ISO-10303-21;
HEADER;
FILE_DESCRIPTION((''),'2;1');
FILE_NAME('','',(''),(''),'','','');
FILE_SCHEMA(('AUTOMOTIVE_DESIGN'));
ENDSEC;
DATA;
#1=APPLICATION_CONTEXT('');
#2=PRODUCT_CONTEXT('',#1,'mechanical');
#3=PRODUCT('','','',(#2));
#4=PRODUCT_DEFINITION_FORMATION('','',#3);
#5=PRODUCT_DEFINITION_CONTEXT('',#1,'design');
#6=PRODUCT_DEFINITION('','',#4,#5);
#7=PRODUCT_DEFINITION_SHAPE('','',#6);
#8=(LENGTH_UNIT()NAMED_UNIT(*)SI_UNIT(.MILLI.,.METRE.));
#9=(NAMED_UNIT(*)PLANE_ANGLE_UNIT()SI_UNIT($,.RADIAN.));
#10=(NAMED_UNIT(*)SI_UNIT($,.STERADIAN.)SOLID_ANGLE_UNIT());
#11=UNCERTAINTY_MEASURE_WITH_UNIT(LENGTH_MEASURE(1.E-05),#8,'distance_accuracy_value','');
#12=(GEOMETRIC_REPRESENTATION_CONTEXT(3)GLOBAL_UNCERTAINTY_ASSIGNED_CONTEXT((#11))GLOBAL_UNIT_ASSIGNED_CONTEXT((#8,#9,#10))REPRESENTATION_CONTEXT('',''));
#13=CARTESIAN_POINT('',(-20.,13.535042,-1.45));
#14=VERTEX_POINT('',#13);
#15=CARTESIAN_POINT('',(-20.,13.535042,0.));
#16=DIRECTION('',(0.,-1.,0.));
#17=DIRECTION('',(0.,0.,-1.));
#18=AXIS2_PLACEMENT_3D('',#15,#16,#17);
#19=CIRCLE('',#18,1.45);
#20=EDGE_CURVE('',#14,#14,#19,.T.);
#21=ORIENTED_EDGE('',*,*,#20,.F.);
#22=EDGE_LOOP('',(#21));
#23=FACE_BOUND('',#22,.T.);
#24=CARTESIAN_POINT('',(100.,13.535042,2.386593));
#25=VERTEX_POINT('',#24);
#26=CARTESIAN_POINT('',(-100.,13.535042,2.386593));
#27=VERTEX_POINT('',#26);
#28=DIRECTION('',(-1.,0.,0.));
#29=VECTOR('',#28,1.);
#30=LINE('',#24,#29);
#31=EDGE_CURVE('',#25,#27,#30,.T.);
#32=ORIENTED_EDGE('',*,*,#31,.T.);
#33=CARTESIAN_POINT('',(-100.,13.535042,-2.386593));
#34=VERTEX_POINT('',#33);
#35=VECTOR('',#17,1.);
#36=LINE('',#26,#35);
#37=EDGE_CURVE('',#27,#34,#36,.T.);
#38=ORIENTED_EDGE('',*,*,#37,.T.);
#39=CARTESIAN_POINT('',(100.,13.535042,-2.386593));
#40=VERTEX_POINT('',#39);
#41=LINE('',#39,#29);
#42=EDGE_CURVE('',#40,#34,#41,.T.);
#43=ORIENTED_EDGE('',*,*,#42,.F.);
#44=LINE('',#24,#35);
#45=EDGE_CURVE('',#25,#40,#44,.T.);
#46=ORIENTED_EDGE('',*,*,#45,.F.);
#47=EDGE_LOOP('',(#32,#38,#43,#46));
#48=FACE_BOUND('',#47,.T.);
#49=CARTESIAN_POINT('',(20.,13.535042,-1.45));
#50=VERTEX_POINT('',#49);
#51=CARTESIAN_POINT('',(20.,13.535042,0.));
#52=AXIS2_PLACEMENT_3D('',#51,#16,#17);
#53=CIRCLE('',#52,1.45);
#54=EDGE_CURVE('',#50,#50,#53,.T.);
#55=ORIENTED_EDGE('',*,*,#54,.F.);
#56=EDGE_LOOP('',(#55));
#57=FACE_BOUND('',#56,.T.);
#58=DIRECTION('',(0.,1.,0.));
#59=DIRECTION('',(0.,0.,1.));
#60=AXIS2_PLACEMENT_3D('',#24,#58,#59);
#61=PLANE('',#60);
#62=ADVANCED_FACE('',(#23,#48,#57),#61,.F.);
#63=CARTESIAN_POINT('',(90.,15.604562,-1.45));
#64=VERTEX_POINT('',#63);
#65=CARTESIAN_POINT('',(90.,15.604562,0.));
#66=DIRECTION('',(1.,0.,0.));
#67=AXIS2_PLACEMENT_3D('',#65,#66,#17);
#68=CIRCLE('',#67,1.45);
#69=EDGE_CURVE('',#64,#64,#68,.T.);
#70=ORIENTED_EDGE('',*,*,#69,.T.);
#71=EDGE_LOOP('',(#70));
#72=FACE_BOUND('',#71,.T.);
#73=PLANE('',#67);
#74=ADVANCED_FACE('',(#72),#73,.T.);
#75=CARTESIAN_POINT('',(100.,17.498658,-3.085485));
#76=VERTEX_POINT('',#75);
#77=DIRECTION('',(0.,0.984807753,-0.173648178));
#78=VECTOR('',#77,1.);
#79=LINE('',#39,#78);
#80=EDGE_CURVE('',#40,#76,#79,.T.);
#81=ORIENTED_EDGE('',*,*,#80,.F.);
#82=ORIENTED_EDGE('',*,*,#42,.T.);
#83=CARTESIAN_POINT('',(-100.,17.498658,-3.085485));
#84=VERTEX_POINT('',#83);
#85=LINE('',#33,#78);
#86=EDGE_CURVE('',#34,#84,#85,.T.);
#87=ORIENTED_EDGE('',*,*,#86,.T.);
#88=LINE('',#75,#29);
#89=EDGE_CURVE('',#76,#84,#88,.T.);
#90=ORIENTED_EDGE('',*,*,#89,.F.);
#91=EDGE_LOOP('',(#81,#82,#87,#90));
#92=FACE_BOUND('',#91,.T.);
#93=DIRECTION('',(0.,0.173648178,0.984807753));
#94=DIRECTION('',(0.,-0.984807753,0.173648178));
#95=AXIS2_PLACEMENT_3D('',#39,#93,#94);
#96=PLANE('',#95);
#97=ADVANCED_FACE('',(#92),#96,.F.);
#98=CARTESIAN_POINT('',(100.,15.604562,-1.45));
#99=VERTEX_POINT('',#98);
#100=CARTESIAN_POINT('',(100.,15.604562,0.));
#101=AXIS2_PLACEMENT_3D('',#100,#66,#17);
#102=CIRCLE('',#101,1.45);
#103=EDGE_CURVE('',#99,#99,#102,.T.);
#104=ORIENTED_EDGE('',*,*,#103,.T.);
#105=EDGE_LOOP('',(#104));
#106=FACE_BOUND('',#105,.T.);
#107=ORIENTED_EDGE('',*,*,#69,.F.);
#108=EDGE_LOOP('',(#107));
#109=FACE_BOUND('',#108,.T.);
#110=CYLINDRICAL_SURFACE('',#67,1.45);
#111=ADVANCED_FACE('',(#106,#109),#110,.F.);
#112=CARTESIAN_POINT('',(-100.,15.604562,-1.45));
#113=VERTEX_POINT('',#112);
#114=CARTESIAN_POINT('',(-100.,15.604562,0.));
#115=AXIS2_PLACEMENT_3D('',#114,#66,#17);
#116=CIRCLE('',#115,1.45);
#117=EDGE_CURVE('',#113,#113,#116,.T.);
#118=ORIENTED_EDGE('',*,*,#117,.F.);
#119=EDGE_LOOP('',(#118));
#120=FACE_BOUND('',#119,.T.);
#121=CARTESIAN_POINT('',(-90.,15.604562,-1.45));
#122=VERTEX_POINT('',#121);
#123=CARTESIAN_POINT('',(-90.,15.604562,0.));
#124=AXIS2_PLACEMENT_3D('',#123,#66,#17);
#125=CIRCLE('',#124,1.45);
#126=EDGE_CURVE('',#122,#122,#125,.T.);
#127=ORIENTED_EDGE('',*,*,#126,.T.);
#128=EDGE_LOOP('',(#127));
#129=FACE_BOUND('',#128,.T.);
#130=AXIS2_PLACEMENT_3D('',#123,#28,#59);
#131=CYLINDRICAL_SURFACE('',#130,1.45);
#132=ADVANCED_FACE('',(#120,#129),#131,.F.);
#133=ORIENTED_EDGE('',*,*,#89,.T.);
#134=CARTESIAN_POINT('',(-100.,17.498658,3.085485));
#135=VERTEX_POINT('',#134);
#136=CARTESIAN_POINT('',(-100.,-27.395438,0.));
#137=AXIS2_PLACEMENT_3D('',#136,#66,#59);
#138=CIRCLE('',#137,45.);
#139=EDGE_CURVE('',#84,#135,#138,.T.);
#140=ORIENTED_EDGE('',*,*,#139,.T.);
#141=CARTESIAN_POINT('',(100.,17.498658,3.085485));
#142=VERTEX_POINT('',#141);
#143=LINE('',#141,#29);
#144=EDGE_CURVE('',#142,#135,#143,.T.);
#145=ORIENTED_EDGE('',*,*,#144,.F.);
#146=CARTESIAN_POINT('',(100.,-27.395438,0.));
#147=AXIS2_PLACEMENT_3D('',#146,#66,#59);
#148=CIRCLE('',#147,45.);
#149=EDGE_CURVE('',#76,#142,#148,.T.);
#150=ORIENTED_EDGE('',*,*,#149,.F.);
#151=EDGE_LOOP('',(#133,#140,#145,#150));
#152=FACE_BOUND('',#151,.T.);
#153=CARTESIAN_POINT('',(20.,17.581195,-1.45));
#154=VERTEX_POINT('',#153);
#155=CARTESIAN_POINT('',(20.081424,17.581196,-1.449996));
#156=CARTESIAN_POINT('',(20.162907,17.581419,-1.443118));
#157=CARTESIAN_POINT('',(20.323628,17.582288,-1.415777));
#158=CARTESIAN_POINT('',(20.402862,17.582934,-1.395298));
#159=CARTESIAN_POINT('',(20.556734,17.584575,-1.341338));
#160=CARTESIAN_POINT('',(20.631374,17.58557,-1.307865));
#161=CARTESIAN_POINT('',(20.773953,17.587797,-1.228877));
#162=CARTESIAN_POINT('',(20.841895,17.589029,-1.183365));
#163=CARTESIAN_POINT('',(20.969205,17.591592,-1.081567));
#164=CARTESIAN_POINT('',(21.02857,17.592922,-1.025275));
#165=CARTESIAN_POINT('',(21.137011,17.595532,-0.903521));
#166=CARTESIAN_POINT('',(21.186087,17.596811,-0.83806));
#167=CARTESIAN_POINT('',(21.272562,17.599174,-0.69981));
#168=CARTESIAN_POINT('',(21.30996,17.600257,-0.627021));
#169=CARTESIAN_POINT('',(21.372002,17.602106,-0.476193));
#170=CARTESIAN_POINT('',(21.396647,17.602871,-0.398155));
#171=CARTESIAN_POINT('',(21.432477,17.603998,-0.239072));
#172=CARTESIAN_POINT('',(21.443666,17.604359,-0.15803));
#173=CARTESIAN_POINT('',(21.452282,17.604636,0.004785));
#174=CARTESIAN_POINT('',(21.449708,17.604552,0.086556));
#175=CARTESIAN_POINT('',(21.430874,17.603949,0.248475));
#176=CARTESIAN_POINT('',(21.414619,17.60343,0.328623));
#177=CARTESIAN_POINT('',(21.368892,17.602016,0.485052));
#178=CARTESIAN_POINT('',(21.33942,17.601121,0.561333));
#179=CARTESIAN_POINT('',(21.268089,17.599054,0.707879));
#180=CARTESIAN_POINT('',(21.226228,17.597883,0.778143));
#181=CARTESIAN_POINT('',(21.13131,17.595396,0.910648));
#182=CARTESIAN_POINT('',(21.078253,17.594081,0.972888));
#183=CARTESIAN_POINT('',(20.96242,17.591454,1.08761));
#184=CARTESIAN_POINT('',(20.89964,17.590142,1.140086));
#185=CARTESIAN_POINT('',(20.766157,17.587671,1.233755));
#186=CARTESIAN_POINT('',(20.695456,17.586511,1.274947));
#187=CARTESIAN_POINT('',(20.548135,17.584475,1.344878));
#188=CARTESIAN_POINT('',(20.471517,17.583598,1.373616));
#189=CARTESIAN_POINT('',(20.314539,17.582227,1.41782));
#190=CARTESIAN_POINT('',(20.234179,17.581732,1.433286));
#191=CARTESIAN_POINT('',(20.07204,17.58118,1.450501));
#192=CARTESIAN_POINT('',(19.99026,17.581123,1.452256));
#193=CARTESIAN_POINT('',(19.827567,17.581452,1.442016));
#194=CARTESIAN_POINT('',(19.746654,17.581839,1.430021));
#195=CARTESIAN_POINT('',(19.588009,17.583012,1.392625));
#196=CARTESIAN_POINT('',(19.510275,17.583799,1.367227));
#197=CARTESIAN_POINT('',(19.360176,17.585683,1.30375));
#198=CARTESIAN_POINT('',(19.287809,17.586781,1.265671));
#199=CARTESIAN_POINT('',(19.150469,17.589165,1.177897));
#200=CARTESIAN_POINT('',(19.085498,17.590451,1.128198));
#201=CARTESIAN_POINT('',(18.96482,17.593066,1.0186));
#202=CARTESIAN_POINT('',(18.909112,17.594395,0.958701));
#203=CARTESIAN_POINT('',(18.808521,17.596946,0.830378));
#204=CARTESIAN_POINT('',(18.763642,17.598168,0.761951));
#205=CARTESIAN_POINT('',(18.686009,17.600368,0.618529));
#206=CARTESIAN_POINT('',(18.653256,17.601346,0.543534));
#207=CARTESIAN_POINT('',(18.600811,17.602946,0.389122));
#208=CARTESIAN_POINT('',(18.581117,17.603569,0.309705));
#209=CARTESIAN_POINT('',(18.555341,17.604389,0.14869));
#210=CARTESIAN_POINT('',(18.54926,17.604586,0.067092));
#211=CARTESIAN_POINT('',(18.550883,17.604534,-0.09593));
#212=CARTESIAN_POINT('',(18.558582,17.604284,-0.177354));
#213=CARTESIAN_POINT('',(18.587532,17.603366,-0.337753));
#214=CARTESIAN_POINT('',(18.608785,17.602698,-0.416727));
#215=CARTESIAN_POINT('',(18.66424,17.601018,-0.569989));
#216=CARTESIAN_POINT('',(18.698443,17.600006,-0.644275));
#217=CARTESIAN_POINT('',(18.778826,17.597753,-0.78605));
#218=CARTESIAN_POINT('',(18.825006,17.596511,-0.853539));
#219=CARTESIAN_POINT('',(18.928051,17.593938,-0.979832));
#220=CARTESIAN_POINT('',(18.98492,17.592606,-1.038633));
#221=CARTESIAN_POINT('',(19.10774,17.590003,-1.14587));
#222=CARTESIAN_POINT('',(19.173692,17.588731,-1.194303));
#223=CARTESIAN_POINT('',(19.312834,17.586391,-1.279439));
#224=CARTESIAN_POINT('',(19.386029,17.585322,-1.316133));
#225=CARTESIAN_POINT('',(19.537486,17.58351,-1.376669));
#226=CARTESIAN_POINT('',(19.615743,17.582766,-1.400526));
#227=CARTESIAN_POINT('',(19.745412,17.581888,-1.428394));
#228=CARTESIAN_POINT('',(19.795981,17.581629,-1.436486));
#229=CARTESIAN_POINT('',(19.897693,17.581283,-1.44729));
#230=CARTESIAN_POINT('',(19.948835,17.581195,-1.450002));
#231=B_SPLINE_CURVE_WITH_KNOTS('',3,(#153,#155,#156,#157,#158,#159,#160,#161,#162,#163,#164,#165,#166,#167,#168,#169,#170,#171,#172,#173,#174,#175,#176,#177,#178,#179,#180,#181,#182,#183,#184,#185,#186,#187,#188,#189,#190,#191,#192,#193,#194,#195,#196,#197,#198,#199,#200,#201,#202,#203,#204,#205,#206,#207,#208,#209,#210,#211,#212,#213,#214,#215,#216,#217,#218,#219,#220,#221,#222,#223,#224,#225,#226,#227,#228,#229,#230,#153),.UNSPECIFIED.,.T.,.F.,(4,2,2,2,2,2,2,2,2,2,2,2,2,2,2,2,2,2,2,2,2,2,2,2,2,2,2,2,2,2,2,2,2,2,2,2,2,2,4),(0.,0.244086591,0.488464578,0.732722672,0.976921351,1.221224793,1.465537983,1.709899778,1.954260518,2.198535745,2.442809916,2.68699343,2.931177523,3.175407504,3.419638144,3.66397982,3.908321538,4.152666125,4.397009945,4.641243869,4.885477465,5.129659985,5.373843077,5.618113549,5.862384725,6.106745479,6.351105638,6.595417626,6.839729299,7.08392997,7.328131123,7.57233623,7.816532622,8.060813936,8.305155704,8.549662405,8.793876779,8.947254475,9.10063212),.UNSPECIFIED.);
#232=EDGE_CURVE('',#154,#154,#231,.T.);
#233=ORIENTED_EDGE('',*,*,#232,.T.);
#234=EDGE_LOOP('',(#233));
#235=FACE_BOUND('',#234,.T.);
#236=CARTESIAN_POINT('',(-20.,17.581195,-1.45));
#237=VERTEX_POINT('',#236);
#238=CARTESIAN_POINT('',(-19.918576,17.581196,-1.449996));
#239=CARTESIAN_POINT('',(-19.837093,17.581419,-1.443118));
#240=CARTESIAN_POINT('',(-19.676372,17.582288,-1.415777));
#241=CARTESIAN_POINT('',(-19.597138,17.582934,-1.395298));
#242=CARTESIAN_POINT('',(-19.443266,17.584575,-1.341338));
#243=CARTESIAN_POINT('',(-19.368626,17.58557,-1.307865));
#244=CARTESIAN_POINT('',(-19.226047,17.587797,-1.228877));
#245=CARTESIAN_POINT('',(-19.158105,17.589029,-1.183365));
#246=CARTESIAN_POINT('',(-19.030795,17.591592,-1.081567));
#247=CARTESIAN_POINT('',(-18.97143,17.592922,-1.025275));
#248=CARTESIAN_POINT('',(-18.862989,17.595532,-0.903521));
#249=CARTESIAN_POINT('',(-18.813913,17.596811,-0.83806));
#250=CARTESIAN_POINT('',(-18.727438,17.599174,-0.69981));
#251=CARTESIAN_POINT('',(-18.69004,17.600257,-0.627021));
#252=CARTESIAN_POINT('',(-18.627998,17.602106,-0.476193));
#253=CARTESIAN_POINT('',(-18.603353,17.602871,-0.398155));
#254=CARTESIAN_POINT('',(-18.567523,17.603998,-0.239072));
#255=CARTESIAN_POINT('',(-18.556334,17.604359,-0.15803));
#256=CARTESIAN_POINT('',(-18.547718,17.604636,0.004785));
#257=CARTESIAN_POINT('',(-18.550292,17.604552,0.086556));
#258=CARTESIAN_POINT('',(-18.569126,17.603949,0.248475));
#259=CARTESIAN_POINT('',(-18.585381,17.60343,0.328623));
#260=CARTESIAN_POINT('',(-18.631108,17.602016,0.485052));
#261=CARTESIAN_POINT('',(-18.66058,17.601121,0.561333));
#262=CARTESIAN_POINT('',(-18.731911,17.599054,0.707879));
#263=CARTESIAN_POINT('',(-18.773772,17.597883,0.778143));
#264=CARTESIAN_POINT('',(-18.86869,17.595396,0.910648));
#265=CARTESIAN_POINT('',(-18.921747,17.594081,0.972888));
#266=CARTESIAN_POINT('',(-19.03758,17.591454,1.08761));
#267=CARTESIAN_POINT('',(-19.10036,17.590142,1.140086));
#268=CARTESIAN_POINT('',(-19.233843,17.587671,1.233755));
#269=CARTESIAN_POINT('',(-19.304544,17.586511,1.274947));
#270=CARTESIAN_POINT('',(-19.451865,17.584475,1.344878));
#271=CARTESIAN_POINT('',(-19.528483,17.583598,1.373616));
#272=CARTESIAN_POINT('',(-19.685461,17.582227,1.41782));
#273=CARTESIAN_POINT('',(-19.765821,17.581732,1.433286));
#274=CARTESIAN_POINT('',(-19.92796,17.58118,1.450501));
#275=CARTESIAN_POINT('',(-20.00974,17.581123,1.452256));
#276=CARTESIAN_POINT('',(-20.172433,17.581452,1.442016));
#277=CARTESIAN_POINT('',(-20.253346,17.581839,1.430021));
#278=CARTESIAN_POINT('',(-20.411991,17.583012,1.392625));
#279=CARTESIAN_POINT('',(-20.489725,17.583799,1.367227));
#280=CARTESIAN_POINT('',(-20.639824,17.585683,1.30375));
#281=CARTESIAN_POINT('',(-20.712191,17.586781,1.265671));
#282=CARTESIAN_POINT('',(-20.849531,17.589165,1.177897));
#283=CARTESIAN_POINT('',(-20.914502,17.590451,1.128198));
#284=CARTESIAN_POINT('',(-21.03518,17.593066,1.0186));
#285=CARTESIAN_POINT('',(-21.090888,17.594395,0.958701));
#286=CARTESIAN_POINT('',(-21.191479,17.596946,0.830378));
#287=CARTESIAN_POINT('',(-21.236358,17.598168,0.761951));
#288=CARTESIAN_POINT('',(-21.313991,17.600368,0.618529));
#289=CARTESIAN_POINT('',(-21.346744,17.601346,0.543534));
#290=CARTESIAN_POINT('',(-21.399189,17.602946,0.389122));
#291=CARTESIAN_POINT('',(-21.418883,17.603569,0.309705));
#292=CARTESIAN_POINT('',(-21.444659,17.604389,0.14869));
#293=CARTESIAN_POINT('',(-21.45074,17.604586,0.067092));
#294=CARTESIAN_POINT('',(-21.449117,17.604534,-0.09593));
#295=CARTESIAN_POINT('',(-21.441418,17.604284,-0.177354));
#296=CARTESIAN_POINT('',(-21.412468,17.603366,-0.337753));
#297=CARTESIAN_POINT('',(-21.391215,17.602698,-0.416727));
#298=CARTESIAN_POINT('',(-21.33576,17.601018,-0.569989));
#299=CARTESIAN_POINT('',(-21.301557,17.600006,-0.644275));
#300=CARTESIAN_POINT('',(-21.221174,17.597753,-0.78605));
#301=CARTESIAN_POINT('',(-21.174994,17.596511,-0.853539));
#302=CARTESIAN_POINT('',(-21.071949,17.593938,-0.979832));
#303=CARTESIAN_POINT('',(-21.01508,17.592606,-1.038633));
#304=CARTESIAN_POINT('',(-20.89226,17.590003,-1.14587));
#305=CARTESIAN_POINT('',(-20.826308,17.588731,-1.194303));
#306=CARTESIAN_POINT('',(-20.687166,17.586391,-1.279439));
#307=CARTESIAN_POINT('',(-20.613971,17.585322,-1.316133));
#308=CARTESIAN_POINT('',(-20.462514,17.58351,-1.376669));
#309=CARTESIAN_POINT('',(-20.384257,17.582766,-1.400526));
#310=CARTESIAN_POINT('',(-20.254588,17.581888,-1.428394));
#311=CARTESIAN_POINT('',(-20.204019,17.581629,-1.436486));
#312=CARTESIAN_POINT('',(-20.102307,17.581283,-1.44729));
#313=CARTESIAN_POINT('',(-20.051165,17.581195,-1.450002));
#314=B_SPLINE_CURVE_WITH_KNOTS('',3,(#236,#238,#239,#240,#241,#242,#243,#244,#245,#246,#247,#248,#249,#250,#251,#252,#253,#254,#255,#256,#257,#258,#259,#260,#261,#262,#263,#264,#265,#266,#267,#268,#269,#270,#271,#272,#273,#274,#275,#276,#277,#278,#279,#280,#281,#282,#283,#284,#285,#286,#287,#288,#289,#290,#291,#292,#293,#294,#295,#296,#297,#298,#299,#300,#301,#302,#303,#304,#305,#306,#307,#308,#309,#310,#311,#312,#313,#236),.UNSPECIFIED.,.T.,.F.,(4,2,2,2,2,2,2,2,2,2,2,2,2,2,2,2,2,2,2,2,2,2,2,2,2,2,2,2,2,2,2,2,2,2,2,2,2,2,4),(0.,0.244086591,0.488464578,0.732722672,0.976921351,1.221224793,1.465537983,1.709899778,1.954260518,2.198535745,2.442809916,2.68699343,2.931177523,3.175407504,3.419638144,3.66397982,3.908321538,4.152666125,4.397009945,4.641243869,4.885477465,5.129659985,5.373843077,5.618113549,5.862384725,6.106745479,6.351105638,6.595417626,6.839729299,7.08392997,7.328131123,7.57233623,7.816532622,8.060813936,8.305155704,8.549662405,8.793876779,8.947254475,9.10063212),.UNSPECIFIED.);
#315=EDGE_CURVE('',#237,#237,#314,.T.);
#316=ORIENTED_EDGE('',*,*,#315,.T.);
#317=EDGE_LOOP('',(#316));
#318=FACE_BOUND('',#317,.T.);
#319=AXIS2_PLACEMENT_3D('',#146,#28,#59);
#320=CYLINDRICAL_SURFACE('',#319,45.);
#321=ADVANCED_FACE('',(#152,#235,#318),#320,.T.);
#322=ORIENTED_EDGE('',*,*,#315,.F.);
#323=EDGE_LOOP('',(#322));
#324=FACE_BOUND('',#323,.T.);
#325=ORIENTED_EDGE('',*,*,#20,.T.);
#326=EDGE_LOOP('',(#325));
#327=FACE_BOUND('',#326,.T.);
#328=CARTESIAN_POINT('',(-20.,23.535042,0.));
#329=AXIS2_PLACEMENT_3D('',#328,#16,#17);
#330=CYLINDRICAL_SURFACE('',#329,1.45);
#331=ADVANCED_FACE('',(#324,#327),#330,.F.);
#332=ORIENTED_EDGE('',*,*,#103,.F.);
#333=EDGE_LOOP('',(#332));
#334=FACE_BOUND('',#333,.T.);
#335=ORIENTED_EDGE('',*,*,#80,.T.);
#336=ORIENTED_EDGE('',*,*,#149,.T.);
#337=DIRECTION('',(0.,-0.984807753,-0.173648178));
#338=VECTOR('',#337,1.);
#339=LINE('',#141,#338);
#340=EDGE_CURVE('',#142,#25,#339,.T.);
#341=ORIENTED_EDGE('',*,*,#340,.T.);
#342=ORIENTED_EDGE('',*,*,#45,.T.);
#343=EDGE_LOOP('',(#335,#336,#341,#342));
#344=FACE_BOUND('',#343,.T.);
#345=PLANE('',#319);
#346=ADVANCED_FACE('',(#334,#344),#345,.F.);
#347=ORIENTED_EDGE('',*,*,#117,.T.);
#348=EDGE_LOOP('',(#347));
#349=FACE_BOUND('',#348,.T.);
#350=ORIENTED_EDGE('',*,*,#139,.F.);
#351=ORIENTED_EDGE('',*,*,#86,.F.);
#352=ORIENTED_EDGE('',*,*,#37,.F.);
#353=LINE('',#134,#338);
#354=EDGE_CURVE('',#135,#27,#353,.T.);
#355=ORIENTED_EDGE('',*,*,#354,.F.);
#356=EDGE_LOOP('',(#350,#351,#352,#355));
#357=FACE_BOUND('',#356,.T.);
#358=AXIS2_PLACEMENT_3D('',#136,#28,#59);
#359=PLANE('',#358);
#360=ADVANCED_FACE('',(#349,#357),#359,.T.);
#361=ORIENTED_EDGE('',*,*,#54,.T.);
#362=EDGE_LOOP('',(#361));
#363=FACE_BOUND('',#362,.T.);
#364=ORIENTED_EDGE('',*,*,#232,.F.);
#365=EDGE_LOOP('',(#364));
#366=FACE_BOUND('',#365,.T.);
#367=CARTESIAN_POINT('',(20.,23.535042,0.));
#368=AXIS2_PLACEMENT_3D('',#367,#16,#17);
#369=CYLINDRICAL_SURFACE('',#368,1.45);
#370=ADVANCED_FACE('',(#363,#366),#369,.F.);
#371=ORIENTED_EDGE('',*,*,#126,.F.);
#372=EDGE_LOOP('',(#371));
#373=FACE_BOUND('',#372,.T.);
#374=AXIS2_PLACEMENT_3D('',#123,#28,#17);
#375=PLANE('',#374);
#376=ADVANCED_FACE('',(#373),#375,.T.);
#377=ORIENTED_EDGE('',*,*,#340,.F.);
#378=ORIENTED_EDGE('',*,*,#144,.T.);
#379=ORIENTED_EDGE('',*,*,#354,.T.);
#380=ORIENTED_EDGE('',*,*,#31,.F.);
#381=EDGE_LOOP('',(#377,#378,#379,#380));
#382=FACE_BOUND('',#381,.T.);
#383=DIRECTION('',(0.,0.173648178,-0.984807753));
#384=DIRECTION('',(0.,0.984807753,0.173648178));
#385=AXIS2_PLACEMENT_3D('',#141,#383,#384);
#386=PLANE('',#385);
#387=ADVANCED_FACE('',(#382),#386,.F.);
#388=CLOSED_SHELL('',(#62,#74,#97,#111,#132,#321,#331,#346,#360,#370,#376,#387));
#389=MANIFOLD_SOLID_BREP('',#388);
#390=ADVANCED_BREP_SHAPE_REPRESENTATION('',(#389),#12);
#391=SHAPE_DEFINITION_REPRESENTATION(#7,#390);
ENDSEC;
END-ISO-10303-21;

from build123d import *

# Parameters (mm, degrees)
EXTRUDE_1_DEPTH     = 100
SKETCH_2_R          = 1.45
CUT_EXTRUDE_1_DEPTH = 10
SKETCH_3_R          = 1.45
CUT_EXTRUDE_2_DEPTH = 10


with BuildPart() as part:
    # Эскиз1 → Бобышка-Вытянуть1 (new, symmetric)
    with BuildSketch(Plane(origin=(0, 0, 0), x_dir=(0, 0, -1), z_dir=(1, 0, 0))):
        with BuildLine():
            Line((-3.085485457, 17.498657575), (-2.386593122, 13.535042182))
            Line((-2.386593122, 13.535042182), (2.386593122, 13.535042182))
            Line((2.386593122, 13.535042182), (3.085485457, 17.498657575))
            ThreePointArc((3.085485457, 17.498657575), (0, 17.604562424), (-3.085485457, 17.498657575))
        make_face()
    extrude(amount=EXTRUDE_1_DEPTH, both=True)

    # Эскиз2 → Вырез-Вытянуть1 (cut)
    with BuildSketch(Plane(origin=(100, 0, 0), x_dir=(0, 0, -1), z_dir=(1, 0, 0))):
        with Locations((0, 15.604562424)):
            Circle(SKETCH_2_R)
    cut_extrude_1 = extrude(amount=-CUT_EXTRUDE_1_DEPTH, mode=Mode.SUBTRACT)

    # Зеркальное отражение1: Вырез-Вытянуть1 across plane
    add(cut_extrude_1.mirror(Plane(origin=(0, 0, 0), x_dir=(0, 0, 1), z_dir=(1, 0, 0))), mode=Mode.SUBTRACT)

    # Эскиз3 → Вырез-Вытянуть2 (cut)
    with BuildSketch(Plane.XZ.offset(-13.535042182)):
        with Locations(Location((-20, 0, 0), (0, 0, 270))):
            Circle(SKETCH_3_R)
        with Locations(Location((20, 0, 0), (0, 0, 270))):
            Circle(SKETCH_3_R)
    extrude(amount=-CUT_EXTRUDE_2_DEPTH, mode=Mode.SUBTRACT)


solid = part.part
